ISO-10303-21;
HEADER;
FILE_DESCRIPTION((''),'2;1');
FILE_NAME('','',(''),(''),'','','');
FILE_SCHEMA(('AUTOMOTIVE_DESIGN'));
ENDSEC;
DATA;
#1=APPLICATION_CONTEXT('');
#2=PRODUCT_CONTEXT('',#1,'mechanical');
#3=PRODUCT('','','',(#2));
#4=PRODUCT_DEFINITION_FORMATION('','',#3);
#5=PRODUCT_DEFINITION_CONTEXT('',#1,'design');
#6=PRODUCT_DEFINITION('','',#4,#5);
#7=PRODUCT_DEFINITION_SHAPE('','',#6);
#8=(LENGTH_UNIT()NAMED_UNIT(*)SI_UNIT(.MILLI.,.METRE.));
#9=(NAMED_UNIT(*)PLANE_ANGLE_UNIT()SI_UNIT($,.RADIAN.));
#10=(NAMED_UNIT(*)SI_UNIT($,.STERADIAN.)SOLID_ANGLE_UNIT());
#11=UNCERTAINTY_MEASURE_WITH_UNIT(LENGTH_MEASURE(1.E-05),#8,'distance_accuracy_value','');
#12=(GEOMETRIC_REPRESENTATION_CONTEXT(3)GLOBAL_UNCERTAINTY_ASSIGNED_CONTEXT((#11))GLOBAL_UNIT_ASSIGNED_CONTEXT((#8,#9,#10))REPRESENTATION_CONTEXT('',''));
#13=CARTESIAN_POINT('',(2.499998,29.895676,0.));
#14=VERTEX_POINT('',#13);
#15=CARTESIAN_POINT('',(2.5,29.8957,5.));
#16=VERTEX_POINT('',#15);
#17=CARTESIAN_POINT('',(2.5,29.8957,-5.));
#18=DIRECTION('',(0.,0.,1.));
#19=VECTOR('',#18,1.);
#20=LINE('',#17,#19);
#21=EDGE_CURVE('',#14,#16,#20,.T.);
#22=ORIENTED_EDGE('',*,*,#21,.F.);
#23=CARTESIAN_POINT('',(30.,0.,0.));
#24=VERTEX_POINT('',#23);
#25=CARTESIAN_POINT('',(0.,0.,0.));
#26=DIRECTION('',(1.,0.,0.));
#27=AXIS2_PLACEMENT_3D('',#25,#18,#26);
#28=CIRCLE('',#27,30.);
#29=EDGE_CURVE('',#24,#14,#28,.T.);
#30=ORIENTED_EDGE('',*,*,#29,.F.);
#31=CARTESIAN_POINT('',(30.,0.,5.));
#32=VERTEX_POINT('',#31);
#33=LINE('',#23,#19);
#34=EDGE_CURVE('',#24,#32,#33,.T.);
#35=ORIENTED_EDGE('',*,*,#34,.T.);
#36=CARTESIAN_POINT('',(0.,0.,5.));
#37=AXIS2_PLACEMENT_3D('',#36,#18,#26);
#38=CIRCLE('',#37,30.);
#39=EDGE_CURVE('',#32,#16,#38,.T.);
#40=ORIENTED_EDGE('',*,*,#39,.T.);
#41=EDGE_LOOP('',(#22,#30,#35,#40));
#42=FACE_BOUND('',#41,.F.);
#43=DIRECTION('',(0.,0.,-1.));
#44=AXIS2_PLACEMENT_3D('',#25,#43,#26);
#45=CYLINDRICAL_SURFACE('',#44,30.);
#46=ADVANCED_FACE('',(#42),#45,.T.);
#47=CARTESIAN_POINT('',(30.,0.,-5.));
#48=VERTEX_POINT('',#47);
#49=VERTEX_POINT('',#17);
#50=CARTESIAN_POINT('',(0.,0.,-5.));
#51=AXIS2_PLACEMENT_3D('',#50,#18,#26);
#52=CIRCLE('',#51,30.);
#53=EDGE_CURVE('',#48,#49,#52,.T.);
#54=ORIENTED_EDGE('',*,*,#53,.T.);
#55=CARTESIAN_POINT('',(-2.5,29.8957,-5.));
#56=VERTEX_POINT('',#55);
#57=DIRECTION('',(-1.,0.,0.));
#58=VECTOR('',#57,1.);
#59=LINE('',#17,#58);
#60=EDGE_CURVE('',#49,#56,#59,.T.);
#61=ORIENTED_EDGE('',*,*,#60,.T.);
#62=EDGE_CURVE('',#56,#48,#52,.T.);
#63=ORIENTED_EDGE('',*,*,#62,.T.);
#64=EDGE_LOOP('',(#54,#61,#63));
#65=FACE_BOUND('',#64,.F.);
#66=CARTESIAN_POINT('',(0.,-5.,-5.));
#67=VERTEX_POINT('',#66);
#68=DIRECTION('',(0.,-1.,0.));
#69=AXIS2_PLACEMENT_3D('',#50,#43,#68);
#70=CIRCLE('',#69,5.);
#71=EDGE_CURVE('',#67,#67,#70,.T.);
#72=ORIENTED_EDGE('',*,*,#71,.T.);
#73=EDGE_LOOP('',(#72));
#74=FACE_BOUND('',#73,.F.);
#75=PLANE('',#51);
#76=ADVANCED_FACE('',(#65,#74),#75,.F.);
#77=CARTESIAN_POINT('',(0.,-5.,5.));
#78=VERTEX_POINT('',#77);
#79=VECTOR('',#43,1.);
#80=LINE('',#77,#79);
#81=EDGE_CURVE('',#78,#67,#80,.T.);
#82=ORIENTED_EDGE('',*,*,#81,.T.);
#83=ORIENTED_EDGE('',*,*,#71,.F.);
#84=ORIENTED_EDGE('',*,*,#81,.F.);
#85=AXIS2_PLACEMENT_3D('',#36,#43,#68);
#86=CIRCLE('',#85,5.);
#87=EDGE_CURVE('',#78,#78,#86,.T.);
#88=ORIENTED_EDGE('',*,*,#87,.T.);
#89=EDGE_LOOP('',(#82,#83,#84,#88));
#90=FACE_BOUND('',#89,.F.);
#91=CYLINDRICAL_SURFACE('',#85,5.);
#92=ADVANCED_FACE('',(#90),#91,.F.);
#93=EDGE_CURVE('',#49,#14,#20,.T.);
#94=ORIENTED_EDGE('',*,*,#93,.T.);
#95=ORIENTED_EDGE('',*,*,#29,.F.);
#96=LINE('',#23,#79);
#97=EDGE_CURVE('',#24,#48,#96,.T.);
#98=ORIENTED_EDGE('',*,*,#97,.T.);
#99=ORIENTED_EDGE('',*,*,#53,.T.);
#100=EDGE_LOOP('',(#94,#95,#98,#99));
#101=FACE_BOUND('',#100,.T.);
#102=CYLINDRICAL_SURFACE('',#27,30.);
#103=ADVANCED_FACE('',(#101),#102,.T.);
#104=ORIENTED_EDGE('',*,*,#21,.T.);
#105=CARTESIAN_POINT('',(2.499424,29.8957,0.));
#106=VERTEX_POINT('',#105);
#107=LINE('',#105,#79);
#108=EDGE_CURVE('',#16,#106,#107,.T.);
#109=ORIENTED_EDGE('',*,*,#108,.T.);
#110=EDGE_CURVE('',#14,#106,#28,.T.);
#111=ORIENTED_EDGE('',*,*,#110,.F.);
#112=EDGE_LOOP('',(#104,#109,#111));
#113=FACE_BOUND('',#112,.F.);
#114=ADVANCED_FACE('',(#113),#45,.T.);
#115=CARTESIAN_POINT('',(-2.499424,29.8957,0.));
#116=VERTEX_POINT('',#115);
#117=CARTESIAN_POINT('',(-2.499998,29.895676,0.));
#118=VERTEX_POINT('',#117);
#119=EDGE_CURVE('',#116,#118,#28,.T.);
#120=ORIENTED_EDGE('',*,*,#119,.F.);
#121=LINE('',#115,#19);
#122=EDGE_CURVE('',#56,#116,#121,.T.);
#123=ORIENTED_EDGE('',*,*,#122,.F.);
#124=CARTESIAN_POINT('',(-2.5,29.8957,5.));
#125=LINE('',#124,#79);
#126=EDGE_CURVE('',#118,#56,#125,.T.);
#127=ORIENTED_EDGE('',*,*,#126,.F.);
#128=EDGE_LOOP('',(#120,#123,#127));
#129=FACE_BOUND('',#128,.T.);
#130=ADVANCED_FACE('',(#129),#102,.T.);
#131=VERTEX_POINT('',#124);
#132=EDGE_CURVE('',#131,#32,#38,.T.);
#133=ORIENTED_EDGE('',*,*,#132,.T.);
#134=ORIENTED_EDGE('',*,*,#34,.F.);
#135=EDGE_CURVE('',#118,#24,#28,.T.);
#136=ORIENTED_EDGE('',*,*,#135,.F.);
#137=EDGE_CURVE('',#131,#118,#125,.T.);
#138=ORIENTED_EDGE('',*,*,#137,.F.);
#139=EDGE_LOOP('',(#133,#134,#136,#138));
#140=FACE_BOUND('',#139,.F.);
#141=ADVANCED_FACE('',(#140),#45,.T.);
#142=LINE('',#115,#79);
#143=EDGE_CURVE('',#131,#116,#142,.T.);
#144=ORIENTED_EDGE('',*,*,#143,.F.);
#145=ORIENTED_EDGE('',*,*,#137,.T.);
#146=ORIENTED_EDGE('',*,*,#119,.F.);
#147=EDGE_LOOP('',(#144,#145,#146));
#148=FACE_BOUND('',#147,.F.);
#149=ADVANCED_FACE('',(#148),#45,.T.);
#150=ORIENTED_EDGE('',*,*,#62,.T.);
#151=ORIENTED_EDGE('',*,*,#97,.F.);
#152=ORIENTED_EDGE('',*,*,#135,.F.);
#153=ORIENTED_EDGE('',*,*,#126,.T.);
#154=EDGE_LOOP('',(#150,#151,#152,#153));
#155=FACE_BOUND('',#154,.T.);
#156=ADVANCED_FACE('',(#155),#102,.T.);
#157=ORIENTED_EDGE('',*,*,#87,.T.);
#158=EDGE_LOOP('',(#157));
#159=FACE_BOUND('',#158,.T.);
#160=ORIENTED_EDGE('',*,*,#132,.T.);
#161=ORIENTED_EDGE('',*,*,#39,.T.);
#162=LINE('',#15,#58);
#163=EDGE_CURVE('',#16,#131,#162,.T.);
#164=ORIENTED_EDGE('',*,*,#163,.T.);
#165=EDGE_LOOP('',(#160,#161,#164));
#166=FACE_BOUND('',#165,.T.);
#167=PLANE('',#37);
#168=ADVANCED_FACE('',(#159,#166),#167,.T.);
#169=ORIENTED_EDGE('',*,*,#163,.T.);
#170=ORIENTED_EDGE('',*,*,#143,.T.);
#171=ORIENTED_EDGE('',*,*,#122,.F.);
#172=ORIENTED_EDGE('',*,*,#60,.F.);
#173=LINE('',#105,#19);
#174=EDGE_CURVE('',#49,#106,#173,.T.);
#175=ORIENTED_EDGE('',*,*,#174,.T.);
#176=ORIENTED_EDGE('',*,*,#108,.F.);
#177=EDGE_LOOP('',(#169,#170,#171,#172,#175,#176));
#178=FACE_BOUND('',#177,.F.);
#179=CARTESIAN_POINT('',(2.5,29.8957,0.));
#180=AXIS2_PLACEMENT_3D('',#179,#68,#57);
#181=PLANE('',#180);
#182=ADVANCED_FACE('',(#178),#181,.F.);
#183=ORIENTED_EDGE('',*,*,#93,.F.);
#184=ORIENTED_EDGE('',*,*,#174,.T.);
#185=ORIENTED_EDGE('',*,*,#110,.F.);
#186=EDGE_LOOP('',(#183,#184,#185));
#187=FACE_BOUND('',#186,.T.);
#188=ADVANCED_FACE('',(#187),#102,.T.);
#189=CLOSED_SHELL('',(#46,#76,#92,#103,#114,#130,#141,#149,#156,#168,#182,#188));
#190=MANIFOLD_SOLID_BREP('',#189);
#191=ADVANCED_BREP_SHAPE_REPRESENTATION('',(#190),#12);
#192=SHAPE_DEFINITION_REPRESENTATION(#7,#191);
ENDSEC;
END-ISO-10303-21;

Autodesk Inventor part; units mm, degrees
ref_plane "YZ Plane" through (0, 0, 0) normal (1, 0, 0) x (0, 1, 0)
ref_plane "XZ Plane" through (0, 0, 0) normal (0, 1, 0) x (-1, 0, 0)
ref_plane "XY Plane" through (0, 0, 0) normal (0, 0, 1) x (1, 0, 0)
sketch "Sketch1" plane through (0, 0, 0) normal (0, 0, 1) x (1, 0, 0)
  circle A0 centre (0, 0) radius 30
  dimension "d2" = 60
extrude "Extrusion1" add sketch "Sketch1" along normal mid plane 10
sketch "Sketch2" plane through (0, 0, 0) normal (0, 0, 1) x (1, 0, 0)
  line L0 (2.5, 29.8957) -> (-2.5, 29.8957)
  circle A0 centre (0, 0) radius 30 projected
  line L1 (2.5, 30.9866) -> (-2.5, 30.9866)
  line L2 (-2.5, 30.9866) -> (-2.5, 29.8957)
  line L3 (2.5, 29.8957) -> (2.5, 30.9866)
  dimension "d3" = 5
extrude "Extrusion2" cut sketch "Sketch2" along normal mid plane 10 contours L0 A0 picked at (-0.2781, 29.9266)
sketch "Sketch3" plane through (0, 0, 5) normal (0, 0, 1) x (1, 0, 0)
  point P0 (0, 0)
  point P1 (0, 0)
hole "Hole1" at (0, 0, 5) direction (0, 0, -1) diameter 10 end through all
properties part number "pinion" material "Steel, High Strength, Low Alloy"
